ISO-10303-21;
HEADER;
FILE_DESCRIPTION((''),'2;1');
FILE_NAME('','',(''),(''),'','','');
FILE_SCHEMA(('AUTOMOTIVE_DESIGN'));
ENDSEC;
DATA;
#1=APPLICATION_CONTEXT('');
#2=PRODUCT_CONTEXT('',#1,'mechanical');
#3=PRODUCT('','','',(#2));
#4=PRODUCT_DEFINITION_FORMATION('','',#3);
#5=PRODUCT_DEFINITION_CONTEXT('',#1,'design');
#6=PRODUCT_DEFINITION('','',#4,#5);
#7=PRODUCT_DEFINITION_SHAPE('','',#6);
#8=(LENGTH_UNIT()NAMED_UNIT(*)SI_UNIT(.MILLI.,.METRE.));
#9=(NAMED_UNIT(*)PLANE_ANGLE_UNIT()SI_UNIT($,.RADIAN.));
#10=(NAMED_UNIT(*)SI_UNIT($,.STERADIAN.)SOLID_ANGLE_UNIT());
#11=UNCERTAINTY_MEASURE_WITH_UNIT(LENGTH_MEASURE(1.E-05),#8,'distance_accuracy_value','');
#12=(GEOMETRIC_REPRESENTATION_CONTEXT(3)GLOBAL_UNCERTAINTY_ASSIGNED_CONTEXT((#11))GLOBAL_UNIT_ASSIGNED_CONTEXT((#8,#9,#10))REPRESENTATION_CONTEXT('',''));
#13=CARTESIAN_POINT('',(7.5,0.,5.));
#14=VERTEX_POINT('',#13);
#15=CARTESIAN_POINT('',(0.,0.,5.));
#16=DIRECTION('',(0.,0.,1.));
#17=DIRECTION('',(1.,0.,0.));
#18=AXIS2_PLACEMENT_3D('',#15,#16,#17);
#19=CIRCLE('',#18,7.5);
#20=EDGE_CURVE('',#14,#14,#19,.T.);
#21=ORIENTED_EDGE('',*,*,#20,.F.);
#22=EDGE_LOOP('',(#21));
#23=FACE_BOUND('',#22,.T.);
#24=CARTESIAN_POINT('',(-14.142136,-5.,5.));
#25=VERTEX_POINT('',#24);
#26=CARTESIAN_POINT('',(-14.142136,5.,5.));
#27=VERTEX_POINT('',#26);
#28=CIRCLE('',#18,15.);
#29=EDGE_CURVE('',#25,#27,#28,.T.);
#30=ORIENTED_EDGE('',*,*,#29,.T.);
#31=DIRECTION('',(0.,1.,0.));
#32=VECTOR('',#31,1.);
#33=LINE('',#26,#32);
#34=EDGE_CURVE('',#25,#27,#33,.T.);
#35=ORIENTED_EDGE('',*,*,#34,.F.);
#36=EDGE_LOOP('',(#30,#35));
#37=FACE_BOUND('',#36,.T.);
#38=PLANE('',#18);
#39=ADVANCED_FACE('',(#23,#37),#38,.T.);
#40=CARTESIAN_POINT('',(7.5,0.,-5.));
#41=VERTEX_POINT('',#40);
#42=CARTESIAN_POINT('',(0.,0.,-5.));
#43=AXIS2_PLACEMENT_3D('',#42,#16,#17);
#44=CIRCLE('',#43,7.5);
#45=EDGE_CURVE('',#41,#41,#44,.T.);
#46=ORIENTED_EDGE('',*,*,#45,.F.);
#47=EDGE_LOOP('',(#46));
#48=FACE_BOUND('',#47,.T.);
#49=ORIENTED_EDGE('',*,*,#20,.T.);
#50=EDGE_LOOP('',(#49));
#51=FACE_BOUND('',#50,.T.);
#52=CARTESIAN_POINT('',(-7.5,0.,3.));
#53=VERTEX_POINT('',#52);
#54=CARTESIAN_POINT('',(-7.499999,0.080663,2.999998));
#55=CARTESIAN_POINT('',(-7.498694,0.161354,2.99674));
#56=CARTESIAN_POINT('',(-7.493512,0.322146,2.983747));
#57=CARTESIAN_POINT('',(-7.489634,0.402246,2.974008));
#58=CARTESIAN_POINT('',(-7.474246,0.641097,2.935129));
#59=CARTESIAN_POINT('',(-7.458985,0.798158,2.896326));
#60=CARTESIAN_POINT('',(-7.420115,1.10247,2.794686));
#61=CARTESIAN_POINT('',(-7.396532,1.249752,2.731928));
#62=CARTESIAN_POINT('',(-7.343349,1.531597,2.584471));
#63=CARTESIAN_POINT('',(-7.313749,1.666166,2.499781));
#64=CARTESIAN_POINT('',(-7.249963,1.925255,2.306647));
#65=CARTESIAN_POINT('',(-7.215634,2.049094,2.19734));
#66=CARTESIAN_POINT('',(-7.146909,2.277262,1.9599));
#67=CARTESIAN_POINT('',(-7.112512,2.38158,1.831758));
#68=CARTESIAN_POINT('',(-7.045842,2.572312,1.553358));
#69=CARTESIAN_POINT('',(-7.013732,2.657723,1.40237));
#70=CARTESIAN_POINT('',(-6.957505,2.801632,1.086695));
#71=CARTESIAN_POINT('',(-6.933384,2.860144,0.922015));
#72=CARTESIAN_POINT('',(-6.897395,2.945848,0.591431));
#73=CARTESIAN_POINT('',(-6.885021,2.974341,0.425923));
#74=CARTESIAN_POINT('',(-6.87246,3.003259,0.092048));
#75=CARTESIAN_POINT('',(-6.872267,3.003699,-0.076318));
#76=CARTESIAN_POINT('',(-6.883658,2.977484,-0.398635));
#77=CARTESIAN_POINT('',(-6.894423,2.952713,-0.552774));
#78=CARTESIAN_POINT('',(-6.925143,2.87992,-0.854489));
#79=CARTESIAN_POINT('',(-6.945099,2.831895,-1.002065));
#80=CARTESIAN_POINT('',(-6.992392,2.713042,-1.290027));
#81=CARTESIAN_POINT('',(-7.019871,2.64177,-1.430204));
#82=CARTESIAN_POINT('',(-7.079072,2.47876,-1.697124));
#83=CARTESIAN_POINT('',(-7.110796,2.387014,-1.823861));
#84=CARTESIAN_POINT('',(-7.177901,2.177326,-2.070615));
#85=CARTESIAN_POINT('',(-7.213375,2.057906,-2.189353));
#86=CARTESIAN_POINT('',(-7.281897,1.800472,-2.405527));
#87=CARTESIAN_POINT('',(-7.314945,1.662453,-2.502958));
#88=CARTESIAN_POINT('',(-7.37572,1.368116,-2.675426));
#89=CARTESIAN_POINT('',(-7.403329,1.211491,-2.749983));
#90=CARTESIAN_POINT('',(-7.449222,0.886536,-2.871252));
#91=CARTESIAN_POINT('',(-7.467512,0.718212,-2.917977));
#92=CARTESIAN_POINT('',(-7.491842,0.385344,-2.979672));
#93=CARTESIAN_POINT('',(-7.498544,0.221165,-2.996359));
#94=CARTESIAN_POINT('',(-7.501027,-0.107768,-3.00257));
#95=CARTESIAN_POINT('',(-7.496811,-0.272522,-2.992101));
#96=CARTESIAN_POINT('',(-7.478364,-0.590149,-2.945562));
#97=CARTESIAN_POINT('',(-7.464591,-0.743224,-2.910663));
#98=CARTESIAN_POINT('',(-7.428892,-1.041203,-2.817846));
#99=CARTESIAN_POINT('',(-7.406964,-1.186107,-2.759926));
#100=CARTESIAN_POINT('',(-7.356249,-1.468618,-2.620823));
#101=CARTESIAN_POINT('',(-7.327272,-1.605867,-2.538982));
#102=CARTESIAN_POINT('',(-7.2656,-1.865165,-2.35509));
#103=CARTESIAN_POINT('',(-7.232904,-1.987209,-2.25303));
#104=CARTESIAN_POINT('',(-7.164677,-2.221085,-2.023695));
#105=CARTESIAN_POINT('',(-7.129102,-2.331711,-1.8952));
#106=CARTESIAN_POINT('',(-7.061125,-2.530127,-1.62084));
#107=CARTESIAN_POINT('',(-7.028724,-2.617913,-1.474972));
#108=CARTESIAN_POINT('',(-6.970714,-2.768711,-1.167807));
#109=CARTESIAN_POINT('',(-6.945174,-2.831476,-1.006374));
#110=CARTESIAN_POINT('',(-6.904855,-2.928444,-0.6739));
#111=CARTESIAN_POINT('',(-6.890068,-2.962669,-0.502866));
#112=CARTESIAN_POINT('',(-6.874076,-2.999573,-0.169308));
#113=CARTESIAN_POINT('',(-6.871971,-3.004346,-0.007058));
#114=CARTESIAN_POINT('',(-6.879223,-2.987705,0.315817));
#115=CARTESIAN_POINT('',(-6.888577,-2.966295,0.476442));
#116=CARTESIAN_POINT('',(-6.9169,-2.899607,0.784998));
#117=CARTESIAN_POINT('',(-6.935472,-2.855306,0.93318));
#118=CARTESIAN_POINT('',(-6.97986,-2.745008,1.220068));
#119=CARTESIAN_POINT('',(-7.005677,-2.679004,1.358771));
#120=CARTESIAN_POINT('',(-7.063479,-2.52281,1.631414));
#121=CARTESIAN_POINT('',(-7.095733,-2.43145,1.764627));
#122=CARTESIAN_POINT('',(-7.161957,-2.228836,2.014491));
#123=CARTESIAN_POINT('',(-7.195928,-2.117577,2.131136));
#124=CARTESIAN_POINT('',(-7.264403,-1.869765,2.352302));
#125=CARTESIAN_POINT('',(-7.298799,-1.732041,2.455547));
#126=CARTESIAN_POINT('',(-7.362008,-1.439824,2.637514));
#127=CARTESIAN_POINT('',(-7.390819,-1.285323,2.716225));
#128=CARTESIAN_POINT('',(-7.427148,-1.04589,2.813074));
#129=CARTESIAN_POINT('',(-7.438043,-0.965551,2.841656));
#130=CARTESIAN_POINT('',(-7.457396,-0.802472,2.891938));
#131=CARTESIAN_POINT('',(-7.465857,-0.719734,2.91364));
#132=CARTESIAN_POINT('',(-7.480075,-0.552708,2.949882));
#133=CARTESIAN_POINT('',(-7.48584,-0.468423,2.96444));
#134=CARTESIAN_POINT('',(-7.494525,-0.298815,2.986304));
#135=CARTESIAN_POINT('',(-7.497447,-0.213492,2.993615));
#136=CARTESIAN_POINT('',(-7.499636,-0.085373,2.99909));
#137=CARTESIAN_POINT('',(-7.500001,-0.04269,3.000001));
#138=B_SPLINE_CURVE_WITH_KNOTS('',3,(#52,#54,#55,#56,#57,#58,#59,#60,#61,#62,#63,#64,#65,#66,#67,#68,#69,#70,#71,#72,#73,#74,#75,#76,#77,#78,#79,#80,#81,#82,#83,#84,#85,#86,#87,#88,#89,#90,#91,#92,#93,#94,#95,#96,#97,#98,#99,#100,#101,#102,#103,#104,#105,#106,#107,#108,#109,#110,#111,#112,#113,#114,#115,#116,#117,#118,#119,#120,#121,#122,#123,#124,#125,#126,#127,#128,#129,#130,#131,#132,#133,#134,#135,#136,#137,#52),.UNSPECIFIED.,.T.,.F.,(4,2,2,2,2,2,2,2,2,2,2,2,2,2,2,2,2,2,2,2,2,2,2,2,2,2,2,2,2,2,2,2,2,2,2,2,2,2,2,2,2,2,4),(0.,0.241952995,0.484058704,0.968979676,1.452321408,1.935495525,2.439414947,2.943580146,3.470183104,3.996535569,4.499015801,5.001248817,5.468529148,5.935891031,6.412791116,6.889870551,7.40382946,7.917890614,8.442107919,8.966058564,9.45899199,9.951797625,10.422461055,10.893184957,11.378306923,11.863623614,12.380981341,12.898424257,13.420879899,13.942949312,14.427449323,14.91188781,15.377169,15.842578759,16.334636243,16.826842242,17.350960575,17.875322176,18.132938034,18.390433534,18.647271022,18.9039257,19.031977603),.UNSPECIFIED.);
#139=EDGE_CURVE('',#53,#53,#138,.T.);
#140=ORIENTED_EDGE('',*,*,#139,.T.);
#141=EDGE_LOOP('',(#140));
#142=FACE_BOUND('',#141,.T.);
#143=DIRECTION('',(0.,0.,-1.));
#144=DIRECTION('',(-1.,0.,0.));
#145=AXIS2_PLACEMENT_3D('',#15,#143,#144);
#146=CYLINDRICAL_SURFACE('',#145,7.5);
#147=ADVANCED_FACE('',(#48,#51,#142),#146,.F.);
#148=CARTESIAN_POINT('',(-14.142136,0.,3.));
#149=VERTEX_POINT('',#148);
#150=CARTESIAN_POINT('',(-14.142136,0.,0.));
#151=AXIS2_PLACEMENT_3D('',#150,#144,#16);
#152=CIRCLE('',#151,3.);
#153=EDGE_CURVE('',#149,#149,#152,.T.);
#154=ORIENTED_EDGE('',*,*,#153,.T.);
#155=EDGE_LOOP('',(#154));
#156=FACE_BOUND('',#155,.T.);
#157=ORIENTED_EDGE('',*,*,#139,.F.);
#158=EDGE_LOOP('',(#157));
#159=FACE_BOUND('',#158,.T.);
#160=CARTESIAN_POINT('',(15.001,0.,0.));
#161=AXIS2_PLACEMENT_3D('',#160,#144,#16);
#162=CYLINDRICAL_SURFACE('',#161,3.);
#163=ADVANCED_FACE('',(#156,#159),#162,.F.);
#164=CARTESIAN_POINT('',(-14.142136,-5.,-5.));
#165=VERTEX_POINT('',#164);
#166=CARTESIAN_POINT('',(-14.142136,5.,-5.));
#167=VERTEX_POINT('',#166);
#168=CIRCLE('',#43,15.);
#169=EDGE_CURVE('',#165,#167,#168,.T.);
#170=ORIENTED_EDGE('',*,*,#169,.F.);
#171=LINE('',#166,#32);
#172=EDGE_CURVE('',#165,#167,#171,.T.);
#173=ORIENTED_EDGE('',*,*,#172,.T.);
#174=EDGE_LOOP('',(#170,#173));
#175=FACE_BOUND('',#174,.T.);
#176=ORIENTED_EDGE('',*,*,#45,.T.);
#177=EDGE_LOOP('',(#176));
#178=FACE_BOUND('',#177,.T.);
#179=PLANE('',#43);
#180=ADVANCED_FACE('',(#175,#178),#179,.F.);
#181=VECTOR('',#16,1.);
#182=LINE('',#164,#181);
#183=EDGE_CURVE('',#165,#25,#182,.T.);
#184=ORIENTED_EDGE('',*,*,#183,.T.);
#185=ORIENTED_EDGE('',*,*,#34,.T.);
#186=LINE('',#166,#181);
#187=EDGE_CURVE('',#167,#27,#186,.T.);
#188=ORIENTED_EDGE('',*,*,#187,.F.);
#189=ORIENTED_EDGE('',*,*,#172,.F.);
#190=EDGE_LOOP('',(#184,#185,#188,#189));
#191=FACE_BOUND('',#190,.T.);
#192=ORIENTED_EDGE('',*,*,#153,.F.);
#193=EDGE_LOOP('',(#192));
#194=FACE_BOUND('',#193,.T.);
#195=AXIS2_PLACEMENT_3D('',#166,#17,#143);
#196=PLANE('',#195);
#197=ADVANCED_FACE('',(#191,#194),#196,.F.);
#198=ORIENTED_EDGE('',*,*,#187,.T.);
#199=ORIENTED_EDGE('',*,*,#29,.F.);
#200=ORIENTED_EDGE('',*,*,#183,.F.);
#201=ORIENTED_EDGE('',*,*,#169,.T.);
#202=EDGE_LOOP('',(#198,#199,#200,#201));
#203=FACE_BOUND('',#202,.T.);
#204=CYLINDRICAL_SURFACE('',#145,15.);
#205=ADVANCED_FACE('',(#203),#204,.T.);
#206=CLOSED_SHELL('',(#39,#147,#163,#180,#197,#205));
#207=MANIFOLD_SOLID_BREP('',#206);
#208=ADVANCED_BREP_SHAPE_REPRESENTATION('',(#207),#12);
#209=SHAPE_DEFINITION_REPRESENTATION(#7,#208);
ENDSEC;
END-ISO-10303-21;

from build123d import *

# Parameters (mm, degrees)
SKIZZE1_R                       = 15
SKIZZE1_R_2                     = 7.5
AUFSATZ_LINEAR_AUSTRAGEN1_DEPTH = 5
SCHNITT_LINEAR_AUSTRAGEN1_DEPTH = 11
SCHNITT_LINEAR_AUSTRAGEN2_REACH = 31.142
SKIZZE3_R                       = 3


with BuildPart() as part:
    # Skizze1 → Aufsatz-Linear austragen1 (new body, symmetric)
    with BuildSketch(Plane.XY):
        Circle(SKIZZE1_R)
        Circle(SKIZZE1_R_2, mode=Mode.SUBTRACT)
    extrude(amount=AUFSATZ_LINEAR_AUSTRAGEN1_DEPTH, both=True)

    # Skizze2 → Schnitt-Linear austragen1 (cut, through all)
    with BuildSketch(Plane.XY.offset(5)):
        with BuildLine():
            Line((-14.142135624, 5), (-14.142135624, -5))
            ThreePointArc((-14.142135624, -5), (-15, 0), (-14.142135624, 5))
        make_face()
    extrude(amount=-SCHNITT_LINEAR_AUSTRAGEN1_DEPTH, mode=Mode.SUBTRACT)

    # Skizze3 → Schnitt-Linear austragen2 (cut, up to next)
    with BuildSketch(Plane.ZY.offset(14.142135624), mode=Mode.PRIVATE) as schnitt_linear_austragen2_sk1:
        Circle(SKIZZE3_R)
    schnitt_linear_austragen2_tool1 = extrude(schnitt_linear_austragen2_sk1.sketch, amount=-SCHNITT_LINEAR_AUSTRAGEN2_REACH, mode=Mode.PRIVATE) & part.part
    add(schnitt_linear_austragen2_tool1.solids().sort_by_distance((-14.142136, 0, 0))[0], mode=Mode.SUBTRACT)


solid = part.part
